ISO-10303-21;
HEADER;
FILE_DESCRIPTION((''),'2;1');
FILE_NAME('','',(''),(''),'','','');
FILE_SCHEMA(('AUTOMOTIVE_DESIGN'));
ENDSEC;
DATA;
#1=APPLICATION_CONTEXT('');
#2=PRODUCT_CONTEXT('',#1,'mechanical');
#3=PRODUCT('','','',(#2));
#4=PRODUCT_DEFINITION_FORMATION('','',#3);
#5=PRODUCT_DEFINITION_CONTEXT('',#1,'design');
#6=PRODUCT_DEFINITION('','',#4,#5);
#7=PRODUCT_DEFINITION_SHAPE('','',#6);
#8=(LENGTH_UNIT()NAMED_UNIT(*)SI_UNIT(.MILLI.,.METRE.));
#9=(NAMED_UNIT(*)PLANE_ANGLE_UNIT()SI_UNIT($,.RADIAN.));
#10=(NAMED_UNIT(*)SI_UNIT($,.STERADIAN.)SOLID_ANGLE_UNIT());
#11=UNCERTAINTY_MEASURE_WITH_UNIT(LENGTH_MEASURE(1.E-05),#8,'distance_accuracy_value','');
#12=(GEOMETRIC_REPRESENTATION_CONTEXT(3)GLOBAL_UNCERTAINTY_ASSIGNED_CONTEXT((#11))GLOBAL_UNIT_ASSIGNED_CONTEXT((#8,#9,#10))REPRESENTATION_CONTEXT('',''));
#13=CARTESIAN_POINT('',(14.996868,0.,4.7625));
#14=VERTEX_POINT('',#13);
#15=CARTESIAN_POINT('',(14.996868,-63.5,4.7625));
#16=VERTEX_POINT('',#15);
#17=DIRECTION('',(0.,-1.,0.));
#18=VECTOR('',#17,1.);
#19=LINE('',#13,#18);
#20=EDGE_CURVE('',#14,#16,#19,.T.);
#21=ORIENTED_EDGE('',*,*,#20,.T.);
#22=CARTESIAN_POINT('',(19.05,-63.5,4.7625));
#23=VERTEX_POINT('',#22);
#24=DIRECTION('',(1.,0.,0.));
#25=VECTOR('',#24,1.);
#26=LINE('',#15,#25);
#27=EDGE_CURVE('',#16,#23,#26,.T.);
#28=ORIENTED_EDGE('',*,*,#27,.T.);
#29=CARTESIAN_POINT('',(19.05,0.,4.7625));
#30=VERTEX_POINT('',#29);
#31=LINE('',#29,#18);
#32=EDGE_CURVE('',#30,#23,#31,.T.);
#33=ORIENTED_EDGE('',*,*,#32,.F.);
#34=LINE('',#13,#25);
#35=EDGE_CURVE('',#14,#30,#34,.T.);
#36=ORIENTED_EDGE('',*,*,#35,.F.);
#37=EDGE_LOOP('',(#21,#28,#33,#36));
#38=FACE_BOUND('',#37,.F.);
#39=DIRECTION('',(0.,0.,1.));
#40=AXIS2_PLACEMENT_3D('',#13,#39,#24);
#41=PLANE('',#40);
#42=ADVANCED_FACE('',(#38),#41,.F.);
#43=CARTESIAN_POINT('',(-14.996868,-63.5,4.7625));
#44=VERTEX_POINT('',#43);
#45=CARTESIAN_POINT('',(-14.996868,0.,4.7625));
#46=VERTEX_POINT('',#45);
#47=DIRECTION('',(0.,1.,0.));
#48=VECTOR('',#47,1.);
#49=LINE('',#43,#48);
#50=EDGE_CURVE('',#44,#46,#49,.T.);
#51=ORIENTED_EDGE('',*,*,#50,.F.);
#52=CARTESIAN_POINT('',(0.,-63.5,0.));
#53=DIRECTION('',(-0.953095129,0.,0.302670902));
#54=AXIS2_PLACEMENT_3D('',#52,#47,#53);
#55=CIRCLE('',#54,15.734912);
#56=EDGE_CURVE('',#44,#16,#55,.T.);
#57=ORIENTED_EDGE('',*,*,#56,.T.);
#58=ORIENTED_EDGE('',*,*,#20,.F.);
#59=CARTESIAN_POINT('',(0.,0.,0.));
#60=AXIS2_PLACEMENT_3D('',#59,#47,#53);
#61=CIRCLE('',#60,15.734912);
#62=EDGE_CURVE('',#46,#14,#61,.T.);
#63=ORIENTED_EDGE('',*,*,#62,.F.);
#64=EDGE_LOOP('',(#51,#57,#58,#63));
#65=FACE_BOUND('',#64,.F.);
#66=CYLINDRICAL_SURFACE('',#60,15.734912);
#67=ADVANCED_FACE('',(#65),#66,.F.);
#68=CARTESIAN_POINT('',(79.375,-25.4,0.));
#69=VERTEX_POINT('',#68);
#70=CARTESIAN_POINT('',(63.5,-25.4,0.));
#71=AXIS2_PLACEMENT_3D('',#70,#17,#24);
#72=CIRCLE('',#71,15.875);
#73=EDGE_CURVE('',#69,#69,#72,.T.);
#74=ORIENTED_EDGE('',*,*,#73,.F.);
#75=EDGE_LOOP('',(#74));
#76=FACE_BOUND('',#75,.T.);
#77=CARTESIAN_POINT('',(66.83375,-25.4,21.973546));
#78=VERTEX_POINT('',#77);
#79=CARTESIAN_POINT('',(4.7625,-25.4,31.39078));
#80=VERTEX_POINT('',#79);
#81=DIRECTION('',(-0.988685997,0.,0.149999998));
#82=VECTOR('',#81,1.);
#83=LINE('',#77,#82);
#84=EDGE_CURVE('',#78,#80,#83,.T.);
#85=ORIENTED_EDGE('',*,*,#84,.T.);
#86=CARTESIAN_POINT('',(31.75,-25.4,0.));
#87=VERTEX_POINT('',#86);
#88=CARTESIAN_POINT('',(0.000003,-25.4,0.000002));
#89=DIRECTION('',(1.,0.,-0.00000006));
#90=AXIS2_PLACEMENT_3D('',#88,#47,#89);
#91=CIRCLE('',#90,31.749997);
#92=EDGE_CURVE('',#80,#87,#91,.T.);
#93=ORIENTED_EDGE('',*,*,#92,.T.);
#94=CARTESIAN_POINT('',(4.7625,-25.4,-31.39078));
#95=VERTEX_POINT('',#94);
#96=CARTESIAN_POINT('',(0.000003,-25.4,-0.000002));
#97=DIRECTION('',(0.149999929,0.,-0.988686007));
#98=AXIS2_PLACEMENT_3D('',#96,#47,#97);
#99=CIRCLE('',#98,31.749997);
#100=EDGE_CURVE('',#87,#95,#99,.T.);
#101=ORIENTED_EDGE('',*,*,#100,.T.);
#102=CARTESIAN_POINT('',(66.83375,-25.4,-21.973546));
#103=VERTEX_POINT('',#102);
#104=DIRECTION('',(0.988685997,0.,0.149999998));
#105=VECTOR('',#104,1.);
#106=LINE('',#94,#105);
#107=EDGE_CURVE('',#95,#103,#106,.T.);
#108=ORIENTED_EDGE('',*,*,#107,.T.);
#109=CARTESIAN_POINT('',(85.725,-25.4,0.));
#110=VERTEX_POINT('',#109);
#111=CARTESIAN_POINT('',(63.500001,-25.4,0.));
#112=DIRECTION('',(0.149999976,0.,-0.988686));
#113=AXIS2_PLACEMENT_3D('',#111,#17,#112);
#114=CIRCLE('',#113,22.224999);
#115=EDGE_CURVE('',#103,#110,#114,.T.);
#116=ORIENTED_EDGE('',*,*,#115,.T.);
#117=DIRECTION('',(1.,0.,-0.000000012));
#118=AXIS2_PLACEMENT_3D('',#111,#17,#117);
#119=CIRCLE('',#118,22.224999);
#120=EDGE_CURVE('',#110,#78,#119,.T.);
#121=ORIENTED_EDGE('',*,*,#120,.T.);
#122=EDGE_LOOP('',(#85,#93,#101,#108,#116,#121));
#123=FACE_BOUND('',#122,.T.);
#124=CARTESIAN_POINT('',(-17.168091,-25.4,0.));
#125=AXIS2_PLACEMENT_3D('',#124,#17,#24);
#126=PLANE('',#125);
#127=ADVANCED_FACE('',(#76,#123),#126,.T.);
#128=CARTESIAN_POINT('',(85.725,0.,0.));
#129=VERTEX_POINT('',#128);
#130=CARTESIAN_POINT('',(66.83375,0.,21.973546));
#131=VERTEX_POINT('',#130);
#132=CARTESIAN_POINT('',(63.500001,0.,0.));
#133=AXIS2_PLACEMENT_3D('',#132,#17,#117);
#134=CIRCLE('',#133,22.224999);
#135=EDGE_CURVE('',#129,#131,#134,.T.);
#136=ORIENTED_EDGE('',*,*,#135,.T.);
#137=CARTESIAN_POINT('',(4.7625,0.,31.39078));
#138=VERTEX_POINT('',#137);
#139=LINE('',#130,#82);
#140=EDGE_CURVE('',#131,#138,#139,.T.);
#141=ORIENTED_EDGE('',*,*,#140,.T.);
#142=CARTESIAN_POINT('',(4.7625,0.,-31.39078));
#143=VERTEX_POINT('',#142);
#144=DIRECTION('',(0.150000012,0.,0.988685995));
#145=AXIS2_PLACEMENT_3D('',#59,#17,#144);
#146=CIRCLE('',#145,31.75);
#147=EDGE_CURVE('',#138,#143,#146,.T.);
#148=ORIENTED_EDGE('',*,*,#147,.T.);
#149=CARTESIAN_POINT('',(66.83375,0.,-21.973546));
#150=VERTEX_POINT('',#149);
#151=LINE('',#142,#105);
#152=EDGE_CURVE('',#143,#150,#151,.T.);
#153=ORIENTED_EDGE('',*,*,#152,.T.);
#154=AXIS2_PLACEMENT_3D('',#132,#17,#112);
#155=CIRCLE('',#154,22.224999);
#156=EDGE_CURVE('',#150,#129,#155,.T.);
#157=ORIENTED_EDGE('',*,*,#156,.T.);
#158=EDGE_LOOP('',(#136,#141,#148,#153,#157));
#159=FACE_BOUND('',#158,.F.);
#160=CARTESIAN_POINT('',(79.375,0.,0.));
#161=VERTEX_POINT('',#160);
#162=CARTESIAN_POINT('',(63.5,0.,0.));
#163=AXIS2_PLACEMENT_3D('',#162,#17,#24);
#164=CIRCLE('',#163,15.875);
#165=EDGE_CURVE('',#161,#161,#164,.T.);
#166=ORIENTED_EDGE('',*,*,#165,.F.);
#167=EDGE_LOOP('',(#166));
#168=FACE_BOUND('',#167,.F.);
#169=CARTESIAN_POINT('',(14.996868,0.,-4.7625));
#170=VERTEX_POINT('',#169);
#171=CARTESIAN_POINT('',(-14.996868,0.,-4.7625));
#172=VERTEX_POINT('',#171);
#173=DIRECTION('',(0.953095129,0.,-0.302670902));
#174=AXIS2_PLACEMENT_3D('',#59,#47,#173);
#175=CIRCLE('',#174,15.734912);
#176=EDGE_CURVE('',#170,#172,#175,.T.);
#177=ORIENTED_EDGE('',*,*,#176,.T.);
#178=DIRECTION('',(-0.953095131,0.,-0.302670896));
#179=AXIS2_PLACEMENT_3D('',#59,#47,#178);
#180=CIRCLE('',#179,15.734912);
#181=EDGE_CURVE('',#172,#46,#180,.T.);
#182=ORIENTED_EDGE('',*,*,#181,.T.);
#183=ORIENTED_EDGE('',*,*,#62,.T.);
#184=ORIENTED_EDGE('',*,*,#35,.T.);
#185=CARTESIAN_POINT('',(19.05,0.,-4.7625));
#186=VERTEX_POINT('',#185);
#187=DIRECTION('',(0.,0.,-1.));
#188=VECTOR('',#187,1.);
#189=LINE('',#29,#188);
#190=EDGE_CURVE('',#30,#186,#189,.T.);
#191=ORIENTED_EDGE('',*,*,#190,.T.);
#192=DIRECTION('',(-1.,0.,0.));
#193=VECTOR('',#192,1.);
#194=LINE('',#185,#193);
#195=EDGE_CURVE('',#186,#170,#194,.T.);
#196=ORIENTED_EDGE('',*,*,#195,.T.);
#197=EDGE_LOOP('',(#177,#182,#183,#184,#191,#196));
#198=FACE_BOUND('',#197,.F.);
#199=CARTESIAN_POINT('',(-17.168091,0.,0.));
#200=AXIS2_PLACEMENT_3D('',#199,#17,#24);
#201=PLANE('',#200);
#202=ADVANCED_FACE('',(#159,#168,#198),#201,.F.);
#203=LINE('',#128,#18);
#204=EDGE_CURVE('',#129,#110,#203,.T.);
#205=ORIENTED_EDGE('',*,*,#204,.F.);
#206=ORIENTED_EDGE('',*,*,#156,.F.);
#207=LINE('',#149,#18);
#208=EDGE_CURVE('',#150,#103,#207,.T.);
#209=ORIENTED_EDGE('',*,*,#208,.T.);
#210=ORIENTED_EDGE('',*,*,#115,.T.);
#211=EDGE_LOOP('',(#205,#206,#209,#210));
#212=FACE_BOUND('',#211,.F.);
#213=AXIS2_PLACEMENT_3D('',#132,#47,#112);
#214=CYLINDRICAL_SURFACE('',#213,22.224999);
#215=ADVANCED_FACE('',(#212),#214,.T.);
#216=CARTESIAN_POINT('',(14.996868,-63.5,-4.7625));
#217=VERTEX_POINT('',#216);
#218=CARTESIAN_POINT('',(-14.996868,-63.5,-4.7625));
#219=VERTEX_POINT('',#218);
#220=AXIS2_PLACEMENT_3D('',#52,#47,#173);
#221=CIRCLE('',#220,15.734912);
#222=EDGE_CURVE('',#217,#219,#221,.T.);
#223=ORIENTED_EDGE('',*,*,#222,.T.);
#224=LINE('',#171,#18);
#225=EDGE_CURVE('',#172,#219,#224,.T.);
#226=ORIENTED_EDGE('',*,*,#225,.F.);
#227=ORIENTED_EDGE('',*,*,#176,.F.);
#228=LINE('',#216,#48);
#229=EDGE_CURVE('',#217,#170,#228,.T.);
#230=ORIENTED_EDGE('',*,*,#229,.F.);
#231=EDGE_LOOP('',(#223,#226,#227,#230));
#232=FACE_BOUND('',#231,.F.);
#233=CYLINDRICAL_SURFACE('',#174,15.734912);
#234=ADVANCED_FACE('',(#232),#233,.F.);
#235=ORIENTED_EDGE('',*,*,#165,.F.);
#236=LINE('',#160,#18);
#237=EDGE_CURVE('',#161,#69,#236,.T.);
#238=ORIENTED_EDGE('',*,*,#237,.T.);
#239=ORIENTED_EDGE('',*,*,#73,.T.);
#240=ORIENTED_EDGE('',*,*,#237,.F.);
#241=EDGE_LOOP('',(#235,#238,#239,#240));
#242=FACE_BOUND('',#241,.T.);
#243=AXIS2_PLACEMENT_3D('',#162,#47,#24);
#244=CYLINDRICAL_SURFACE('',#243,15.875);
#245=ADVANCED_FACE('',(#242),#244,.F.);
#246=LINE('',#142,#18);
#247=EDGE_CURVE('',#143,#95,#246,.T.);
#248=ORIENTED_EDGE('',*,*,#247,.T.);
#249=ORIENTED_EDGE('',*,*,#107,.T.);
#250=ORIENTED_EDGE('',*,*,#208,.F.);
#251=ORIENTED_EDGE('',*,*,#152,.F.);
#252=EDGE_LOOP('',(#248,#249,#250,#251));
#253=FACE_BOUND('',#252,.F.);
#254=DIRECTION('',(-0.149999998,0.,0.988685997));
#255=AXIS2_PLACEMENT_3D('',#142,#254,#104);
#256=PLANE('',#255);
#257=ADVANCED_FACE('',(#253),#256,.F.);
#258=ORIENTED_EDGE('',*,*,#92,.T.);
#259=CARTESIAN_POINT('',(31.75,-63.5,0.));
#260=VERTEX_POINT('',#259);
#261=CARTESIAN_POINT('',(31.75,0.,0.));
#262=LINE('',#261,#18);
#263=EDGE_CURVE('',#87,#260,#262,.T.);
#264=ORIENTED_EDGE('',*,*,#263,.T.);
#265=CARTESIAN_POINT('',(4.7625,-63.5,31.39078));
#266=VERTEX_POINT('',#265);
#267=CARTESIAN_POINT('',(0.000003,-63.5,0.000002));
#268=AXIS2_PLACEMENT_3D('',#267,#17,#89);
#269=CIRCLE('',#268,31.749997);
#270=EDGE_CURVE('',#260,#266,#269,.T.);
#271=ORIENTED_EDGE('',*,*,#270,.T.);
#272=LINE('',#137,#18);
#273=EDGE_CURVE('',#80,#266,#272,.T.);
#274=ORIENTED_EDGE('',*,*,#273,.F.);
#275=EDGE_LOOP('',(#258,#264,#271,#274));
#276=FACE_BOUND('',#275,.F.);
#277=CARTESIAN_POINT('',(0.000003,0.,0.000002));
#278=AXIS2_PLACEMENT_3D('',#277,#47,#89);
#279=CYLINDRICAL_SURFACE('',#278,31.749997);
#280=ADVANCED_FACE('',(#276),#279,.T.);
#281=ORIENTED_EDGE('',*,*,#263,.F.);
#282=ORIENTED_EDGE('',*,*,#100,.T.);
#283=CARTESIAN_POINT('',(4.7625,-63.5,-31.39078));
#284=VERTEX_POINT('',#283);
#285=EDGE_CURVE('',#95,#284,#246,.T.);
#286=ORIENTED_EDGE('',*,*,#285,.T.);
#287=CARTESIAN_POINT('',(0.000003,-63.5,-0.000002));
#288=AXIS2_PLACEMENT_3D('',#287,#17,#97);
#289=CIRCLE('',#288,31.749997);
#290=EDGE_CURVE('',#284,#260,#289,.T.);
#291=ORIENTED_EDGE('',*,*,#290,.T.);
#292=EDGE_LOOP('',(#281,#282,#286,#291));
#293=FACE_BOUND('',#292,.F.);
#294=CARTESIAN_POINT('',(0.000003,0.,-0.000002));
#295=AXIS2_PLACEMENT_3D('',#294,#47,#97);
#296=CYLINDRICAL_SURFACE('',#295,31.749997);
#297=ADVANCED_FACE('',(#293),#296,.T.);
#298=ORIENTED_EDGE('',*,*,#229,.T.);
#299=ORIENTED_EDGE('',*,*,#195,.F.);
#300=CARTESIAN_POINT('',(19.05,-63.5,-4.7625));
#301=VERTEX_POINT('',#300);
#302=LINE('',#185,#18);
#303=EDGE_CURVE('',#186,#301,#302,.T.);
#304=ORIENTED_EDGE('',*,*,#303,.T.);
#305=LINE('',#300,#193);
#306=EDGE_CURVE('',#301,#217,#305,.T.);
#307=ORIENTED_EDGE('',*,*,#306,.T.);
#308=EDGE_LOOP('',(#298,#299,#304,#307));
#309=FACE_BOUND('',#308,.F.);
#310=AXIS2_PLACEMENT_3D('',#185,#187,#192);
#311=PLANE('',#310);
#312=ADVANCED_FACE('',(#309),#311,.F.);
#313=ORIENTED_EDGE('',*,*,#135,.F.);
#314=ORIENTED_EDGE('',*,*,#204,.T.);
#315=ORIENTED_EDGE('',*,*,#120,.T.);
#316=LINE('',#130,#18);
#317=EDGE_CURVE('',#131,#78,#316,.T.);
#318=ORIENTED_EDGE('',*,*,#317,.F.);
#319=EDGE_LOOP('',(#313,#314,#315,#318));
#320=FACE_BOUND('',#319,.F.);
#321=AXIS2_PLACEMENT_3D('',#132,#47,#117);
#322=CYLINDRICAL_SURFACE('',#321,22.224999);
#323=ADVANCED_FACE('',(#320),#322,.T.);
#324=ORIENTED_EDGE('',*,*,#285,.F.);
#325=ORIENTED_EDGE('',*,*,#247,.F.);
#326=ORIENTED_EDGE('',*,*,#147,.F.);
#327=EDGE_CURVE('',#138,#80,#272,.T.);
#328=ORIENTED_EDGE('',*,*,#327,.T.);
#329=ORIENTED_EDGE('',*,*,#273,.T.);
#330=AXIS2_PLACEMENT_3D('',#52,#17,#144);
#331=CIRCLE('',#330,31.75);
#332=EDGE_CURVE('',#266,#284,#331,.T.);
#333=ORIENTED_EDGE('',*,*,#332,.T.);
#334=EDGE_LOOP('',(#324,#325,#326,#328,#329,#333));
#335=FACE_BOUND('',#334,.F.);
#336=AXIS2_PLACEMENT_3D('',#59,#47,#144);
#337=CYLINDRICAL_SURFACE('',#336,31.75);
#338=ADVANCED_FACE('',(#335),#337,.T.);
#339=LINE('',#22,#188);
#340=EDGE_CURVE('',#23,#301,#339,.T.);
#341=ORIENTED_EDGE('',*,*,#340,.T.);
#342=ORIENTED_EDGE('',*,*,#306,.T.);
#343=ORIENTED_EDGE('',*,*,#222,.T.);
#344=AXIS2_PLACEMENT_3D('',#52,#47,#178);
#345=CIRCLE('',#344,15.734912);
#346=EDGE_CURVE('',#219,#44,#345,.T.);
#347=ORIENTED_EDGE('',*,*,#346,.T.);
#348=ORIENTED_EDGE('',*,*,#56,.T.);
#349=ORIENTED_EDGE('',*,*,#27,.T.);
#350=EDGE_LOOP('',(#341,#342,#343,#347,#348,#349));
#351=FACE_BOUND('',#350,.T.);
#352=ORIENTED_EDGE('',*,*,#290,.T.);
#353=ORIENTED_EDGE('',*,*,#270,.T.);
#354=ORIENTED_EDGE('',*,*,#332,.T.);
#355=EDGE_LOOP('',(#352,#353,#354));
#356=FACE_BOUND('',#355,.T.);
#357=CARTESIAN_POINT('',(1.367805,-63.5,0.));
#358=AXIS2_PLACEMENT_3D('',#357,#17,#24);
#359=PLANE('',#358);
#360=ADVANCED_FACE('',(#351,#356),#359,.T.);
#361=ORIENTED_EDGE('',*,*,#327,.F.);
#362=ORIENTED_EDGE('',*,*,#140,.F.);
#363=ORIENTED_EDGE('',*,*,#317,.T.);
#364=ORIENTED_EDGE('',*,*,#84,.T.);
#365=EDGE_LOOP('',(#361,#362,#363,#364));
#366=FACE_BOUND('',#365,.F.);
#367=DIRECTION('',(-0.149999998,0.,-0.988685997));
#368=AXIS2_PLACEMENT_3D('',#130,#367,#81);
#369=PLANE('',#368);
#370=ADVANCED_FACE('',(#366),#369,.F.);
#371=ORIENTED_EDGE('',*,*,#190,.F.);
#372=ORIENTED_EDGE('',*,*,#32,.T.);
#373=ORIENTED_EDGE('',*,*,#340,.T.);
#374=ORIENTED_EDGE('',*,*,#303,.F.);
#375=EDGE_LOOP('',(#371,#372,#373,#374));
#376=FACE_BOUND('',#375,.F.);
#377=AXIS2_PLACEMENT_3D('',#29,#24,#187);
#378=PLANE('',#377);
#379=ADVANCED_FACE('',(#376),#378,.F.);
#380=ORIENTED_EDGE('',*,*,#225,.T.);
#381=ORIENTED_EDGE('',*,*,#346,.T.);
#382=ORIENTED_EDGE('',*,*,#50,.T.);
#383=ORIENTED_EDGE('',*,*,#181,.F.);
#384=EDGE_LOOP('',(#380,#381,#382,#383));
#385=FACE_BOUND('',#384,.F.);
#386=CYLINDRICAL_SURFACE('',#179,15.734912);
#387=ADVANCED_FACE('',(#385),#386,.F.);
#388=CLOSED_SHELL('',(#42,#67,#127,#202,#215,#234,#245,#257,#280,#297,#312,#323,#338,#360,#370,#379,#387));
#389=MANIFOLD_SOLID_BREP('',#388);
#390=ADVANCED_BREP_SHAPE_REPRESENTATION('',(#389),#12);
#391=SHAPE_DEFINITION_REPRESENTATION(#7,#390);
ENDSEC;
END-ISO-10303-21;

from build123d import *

# Parameters (mm, degrees)
F0_R     = 15.875
F1_DEPTH = 25.4
F2_DEPTH = 63.5


with BuildPart() as f1:
    # F0 (on Front) → F1 (new body)
    with BuildSketch(Plane.XZ):
        with BuildLine():
            ThreePointArc((-14.996868, -4.7625), (-15.734912, 0), (-14.996868, 4.7625))
            Line((-14.996868, 4.7625), (-19.05, 4.7625))
            Line((-19.05, 4.7625), (-19.05, -4.7625))
            Line((-19.05, -4.7625), (-14.996868, -4.7625))
        make_face()
        with BuildLine():
            ThreePointArc((4.7625, -31.39078), (24.07563, -20.698468), (31.75, 0))
            ThreePointArc((31.75, 0), (24.07563, 20.698468), (4.7625, 31.39078))
            ThreePointArc((4.7625, 31.39078), (-31.75, 0), (4.7625, -31.39078))
        make_face()
        with BuildLine():
            ThreePointArc((-14.996868, 4.7625), (0, 15.734912), (14.996868, 4.7625))
            Line((14.996868, 4.7625), (19.05, 4.7625))
            Line((19.05, 4.7625), (19.05, -4.7625))
            Line((19.05, -4.7625), (14.996868, -4.7625))
            ThreePointArc((14.996868, -4.7625), (0, -15.734912), (-14.996868, -4.7625))
            Line((-14.996868, -4.7625), (-19.05, -4.7625))
            Line((-19.05, -4.7625), (-19.05, 4.7625))
            Line((-19.05, 4.7625), (-14.996868, 4.7625))
        make_face(mode=Mode.SUBTRACT)
        with BuildLine():
            ThreePointArc((85.725, 0), (80.352941, 14.488927), (66.83375, 21.973546))
            ThreePointArc((66.83375, 21.973546), (41.275, 0), (66.83375, -21.973546))
            ThreePointArc((66.83375, -21.973546), (80.352941, -14.488927), (85.725, 0))
        make_face()
        with Locations((63.5, 0)):
            Circle(F0_R, mode=Mode.SUBTRACT)
        with BuildLine():
            ThreePointArc((4.7625, 31.39078), (24.07563, 20.698468), (31.75, 0))
            ThreePointArc((31.75, 0), (24.07563, -20.698468), (4.7625, -31.39078))
            Line((4.7625, -31.39078), (66.83375, -21.973546))
            ThreePointArc((66.83375, -21.973546), (41.275, 0), (66.83375, 21.973546))
            Line((66.83375, 21.973546), (4.7625, 31.39078))
        make_face()
    extrude(amount=F1_DEPTH)

    # F0 (on Front) → F2 (join)
    with BuildSketch(Plane.XZ):
        with BuildLine():
            ThreePointArc((4.7625, -31.39078), (24.07563, -20.698468), (31.75, 0))
            ThreePointArc((31.75, 0), (24.07563, 20.698468), (4.7625, 31.39078))
            ThreePointArc((4.7625, 31.39078), (-31.75, 0), (4.7625, -31.39078))
        make_face()
        with BuildLine():
            ThreePointArc((-14.996868, 4.7625), (0, 15.734912), (14.996868, 4.7625))
            Line((14.996868, 4.7625), (19.05, 4.7625))
            Line((19.05, 4.7625), (19.05, -4.7625))
            Line((19.05, -4.7625), (14.996868, -4.7625))
            ThreePointArc((14.996868, -4.7625), (0, -15.734912), (-14.996868, -4.7625))
            Line((-14.996868, -4.7625), (-19.05, -4.7625))
            Line((-19.05, -4.7625), (-19.05, 4.7625))
            Line((-19.05, 4.7625), (-14.996868, 4.7625))
        make_face(mode=Mode.SUBTRACT)
        with BuildLine():
            ThreePointArc((-14.996868, -4.7625), (-15.734912, 0), (-14.996868, 4.7625))
            Line((-14.996868, 4.7625), (-19.05, 4.7625))
            Line((-19.05, 4.7625), (-19.05, -4.7625))
            Line((-19.05, -4.7625), (-14.996868, -4.7625))
        make_face()
    extrude(amount=F2_DEPTH)


solid = f1.part
